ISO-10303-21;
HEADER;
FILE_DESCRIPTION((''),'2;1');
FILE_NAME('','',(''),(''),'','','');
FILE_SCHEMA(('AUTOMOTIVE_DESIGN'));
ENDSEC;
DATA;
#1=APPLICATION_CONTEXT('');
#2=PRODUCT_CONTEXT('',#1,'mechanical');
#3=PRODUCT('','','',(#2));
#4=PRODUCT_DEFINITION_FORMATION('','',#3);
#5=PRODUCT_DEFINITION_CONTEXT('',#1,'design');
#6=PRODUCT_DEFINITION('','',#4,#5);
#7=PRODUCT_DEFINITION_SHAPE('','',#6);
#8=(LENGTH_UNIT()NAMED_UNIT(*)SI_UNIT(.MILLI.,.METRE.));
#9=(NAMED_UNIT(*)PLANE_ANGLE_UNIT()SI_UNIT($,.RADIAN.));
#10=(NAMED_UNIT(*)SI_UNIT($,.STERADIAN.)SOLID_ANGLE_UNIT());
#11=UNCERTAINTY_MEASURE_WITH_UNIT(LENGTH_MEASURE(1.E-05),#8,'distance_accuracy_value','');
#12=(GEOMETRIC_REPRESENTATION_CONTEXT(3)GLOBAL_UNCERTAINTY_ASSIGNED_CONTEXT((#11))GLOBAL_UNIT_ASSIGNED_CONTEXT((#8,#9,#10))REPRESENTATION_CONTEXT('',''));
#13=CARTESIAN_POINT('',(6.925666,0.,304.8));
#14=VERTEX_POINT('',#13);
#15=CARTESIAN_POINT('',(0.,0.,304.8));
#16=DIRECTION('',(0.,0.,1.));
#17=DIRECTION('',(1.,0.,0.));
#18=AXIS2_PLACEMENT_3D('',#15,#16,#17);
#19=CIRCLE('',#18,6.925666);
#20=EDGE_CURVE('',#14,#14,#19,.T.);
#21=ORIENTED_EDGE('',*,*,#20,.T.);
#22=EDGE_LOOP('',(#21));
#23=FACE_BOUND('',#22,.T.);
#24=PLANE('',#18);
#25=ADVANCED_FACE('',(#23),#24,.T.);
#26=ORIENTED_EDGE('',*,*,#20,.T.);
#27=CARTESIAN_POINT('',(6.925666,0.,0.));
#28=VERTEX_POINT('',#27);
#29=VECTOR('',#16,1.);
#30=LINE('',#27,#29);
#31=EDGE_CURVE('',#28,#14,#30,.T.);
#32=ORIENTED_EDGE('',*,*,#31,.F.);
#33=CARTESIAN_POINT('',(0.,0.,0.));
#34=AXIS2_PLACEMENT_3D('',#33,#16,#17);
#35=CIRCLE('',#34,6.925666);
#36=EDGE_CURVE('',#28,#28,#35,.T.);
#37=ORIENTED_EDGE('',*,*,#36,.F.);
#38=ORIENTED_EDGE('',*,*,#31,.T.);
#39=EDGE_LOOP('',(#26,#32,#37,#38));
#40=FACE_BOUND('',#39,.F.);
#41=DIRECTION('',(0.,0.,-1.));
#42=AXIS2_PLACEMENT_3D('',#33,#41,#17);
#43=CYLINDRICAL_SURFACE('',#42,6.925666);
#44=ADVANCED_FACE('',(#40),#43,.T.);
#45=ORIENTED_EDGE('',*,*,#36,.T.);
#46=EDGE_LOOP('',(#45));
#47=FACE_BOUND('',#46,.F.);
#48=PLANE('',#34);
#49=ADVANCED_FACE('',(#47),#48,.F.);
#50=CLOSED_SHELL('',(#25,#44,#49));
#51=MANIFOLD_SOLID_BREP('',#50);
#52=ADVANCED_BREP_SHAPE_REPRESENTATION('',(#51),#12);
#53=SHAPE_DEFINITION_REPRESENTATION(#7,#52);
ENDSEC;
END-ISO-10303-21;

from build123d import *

# Parameters (mm, degrees)
SKETCH_R  = 6.925666
PAD_DEPTH = 304.8


with BuildPart() as part:
    # Sketch → Pad (new body)
    with BuildSketch(Plane.XY):
        Circle(SKETCH_R)
    extrude(amount=PAD_DEPTH)


solid = part.part
